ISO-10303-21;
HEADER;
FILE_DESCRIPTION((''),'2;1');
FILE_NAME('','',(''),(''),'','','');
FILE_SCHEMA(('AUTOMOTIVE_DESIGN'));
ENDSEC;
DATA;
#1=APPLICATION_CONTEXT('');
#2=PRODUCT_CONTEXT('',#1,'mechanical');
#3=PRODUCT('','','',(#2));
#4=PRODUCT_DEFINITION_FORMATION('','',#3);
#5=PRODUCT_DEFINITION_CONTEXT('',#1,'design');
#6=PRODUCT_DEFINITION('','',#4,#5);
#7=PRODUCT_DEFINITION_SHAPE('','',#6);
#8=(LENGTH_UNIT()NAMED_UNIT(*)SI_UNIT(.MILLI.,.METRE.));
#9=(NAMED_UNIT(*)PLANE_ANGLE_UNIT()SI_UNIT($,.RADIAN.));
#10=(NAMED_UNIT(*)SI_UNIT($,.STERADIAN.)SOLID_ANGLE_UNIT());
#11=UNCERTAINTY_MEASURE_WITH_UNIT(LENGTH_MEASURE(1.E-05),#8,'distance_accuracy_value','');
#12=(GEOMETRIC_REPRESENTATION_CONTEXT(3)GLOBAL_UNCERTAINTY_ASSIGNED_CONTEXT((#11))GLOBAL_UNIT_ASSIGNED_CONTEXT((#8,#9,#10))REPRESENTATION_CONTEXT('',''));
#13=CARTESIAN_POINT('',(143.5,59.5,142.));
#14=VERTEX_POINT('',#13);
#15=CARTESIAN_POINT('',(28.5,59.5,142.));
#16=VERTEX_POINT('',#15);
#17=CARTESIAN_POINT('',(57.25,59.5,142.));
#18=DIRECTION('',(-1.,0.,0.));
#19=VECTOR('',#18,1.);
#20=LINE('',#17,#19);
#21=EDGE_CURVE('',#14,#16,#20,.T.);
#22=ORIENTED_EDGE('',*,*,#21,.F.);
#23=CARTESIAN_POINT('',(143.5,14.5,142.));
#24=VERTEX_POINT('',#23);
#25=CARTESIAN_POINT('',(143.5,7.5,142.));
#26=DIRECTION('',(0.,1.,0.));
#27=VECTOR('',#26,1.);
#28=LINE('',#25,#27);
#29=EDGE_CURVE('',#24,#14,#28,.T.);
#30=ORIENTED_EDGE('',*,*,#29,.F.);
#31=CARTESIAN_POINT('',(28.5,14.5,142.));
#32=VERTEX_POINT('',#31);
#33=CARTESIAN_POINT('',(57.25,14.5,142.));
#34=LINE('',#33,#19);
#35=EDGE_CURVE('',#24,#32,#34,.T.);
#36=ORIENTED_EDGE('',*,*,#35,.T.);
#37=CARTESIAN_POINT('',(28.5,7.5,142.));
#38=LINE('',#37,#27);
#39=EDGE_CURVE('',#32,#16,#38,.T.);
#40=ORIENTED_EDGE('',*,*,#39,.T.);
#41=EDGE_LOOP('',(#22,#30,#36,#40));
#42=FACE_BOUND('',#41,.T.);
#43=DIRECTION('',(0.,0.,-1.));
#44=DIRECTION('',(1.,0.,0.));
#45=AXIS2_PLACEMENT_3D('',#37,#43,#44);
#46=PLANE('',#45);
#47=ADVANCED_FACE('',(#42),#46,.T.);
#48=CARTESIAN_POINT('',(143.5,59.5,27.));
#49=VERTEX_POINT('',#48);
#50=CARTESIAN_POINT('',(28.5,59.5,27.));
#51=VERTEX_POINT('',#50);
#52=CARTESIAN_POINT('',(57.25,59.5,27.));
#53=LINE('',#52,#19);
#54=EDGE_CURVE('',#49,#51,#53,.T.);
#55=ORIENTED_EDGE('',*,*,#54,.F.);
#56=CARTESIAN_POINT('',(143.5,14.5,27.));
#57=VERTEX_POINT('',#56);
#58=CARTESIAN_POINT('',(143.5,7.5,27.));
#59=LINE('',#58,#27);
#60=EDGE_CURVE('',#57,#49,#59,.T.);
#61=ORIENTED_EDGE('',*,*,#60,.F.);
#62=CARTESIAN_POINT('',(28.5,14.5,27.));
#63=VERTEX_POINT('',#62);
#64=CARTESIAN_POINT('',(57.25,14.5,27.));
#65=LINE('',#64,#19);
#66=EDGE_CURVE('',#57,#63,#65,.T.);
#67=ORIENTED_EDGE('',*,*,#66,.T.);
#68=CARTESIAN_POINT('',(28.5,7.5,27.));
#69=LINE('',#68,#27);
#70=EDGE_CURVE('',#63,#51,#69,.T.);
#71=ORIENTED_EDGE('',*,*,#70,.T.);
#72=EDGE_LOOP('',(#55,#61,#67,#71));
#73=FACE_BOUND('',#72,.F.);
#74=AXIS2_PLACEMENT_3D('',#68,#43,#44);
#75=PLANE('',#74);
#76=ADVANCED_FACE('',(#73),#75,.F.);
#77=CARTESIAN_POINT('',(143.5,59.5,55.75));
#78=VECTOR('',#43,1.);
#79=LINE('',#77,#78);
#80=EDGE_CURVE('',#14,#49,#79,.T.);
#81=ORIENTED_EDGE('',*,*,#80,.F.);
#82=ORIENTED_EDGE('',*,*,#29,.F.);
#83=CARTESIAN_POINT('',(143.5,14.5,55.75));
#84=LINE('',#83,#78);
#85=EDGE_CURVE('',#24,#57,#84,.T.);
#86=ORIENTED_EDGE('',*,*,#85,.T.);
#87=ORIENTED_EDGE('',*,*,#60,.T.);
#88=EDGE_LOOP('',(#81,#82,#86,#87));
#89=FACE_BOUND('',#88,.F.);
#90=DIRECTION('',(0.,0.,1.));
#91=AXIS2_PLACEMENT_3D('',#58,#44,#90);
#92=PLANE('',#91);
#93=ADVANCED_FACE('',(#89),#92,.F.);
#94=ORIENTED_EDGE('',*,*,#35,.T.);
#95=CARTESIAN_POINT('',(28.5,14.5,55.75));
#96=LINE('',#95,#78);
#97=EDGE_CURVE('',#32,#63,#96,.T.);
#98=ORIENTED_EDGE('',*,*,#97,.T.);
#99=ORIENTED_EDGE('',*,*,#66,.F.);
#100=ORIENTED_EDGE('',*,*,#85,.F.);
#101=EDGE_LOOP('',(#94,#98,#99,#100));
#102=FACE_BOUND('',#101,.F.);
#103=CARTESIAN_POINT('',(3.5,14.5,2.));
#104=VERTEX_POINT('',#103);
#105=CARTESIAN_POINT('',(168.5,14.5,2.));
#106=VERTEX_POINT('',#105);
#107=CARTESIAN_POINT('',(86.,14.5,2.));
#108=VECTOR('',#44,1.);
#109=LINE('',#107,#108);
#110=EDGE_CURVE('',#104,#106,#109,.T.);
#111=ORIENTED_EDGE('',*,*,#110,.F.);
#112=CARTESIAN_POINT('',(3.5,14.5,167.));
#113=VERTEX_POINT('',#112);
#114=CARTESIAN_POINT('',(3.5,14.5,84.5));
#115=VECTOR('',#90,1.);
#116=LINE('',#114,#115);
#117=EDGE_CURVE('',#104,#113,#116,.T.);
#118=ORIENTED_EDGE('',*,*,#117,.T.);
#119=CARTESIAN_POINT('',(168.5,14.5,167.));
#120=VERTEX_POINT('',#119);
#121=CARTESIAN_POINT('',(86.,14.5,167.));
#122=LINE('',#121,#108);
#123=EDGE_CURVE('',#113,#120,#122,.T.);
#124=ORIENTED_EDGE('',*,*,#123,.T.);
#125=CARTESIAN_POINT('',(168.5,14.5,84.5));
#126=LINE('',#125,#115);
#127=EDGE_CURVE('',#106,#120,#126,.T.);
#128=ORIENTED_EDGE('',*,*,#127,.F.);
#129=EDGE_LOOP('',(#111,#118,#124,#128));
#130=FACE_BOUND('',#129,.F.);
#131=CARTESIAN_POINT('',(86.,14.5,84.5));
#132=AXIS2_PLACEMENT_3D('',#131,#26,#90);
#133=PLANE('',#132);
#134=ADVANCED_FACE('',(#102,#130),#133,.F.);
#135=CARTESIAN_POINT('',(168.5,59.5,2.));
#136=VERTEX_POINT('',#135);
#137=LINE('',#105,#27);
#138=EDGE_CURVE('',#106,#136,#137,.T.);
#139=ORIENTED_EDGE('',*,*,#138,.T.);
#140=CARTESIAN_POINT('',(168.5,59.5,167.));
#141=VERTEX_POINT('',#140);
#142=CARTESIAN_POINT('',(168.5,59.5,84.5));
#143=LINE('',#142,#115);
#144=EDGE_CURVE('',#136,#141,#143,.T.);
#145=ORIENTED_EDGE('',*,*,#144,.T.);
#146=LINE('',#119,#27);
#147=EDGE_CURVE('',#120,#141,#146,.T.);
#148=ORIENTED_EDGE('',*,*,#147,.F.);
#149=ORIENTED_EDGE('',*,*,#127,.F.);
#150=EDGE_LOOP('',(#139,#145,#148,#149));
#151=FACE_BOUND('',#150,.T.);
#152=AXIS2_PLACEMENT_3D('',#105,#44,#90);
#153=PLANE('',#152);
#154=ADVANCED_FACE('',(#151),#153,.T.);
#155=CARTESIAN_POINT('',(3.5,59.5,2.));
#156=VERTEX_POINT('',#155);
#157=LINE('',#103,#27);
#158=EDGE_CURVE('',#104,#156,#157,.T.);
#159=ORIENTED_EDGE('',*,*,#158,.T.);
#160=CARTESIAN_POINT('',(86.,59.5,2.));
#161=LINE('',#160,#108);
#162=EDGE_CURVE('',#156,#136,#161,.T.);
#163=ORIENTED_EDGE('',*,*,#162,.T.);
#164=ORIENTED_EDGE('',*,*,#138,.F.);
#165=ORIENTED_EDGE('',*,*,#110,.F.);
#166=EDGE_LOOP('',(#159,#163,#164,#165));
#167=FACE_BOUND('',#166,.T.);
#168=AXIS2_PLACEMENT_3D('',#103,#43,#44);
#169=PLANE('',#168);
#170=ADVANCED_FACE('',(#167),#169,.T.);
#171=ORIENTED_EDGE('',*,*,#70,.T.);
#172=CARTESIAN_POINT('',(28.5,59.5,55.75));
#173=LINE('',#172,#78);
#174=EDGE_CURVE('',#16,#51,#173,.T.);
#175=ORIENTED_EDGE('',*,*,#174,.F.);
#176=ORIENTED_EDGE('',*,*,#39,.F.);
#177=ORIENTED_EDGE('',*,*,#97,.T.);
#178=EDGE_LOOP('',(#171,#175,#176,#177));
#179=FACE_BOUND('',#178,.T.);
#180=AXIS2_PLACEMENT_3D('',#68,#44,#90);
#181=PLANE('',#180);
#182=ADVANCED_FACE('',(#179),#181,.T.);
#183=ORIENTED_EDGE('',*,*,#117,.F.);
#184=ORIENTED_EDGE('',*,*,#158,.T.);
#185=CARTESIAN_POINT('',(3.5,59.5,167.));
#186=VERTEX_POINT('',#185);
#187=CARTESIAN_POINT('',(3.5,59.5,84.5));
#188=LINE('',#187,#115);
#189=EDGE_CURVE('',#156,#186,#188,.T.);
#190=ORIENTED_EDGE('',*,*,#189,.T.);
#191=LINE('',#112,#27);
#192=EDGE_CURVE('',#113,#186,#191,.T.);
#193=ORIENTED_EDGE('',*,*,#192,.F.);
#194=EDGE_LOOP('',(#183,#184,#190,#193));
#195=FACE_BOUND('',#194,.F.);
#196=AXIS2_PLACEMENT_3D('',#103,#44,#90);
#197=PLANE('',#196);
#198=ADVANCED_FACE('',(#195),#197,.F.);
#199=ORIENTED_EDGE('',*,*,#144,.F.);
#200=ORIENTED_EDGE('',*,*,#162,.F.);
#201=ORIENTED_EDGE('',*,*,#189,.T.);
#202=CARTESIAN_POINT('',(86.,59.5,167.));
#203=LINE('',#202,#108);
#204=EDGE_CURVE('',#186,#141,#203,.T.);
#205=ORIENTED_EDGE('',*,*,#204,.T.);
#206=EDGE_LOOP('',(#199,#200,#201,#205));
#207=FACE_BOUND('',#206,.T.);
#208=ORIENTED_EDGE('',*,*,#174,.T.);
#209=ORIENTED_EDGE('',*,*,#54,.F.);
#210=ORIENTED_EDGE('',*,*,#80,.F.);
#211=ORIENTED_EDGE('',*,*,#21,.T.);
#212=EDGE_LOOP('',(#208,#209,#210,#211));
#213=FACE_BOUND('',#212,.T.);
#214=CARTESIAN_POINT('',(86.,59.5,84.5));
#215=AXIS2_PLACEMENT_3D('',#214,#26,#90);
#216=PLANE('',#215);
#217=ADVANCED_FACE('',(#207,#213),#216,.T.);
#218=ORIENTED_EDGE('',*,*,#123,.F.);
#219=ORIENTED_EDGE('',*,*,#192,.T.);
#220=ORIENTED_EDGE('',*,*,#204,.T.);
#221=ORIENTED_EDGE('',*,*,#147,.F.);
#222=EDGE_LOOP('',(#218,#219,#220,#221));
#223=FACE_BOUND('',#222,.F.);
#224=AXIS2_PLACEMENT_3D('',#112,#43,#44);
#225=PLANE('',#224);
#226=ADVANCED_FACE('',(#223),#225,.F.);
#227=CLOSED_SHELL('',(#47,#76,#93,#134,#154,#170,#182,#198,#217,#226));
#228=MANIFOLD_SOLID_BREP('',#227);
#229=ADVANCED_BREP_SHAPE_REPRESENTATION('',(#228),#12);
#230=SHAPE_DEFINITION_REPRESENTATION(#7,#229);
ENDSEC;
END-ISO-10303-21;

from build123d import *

# Parameters (mm, degrees)
BOX017_W               = 115
BOX017_H               = 115
BOX017_DEPTH           = 60
BOX016_W               = 165
BOX016_H               = 165
BOX016_DEPTH           = 45
CUT004_PITCH_ANGLE     = -90
CUT004_PLACEMENT_ANGLE = -90


with BuildPart() as cube013:
    # Box017 → Box017 (new body)
    with BuildSketch(Plane(origin=(25, 25, -7), x_dir=(1, 0, 0), z_dir=(0, 0, 1))):
        with Locations((57.5, 57.5)):
            Rectangle(BOX017_W, BOX017_H)
    extrude(amount=BOX017_DEPTH)


with BuildPart() as bellows:
    # Box016 → Box016 (new body)
    with BuildSketch(Plane.XY):
        with Locations((82.5, 82.5)):
            Rectangle(BOX016_W, BOX016_H)
    extrude(amount=BOX016_DEPTH)

    # Cut004: cut Cube013
    add(cube013.part, mode=Mode.SUBTRACT)


with BuildPart() as bellows_1:
    # Cut004 pitch: moved
    add(bellows.part.rotate(Axis((0, 0, 0), (0, 1, 0)), CUT004_PITCH_ANGLE))


with BuildPart() as bellows_2:
    # Cut004 placement: moved
    add(bellows_1.part.moved(Location((3.5, 14.5, 2))).rotate(Axis((3.5, 14.5, 2), (0, 0, 1)), CUT004_PLACEMENT_ANGLE))


solid = bellows_2.part
